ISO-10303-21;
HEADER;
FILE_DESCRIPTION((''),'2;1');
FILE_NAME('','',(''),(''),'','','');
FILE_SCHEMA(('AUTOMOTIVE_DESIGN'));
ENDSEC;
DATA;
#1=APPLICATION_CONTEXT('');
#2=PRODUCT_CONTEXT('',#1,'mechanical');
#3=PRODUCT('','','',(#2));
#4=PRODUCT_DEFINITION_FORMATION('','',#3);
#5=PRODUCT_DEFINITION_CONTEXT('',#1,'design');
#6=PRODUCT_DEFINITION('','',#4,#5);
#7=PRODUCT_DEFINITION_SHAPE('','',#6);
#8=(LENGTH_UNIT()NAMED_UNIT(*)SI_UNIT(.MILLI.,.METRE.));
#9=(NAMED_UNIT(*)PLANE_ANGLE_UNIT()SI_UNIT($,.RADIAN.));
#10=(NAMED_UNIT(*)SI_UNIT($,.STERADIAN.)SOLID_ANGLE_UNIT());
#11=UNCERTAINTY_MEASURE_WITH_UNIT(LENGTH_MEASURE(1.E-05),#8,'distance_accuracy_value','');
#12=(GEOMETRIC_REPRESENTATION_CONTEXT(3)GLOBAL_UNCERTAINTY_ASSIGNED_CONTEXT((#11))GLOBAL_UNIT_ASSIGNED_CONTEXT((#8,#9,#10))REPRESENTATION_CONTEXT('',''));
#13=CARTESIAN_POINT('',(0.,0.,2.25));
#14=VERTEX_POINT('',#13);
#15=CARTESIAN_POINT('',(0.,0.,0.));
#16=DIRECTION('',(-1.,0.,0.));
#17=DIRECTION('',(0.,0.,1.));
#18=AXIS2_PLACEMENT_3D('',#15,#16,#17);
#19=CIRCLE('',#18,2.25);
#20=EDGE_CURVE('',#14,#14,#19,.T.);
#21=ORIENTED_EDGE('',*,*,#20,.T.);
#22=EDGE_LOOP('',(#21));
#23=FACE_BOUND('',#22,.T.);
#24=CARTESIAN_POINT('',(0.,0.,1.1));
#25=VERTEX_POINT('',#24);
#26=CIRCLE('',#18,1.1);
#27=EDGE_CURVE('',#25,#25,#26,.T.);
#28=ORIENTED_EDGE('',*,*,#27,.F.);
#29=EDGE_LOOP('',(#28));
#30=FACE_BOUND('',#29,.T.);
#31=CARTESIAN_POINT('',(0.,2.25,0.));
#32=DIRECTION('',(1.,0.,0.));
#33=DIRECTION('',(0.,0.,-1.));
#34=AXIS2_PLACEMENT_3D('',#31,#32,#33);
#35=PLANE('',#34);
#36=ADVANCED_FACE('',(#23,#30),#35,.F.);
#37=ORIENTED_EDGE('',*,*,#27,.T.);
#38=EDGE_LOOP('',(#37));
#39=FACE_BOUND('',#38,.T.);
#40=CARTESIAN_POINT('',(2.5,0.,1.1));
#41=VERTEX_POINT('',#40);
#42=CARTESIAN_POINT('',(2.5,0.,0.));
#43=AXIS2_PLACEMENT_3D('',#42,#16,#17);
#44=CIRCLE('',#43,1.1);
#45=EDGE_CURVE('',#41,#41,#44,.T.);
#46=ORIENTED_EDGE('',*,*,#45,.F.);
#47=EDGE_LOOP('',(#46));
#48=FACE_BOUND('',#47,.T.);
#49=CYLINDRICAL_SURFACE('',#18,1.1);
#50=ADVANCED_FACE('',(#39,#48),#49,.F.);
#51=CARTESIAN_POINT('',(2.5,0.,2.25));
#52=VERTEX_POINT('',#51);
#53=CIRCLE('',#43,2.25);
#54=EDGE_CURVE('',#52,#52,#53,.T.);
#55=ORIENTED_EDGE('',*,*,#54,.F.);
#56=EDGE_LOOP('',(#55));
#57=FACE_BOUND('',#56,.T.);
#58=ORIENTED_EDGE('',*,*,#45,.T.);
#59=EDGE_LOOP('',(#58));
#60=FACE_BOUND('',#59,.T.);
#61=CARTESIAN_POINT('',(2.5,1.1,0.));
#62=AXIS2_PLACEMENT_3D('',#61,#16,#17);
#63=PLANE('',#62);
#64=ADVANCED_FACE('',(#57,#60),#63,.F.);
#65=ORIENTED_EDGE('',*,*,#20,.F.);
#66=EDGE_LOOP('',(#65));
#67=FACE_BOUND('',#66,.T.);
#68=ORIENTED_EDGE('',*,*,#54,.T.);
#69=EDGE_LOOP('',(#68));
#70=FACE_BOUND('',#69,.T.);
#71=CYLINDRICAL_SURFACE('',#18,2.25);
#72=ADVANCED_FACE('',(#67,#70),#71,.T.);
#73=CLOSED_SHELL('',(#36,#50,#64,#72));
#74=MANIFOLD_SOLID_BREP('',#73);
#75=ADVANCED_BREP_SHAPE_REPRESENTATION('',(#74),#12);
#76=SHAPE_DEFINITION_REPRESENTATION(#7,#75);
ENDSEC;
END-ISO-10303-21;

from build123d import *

# Parameters (mm, degrees)
SKETCH1_W = 2.5
SKETCH1_H = 1.15


with BuildPart() as part:
    # Sketch1 → Revolve1 (revolve)
    with BuildSketch(Plane.XY):
        with Locations((1.25, 1.675)):
            Rectangle(SKETCH1_W, SKETCH1_H)
    revolve(axis=Axis((0, 0, 0), (1, 0, 0)))


solid = part.part
